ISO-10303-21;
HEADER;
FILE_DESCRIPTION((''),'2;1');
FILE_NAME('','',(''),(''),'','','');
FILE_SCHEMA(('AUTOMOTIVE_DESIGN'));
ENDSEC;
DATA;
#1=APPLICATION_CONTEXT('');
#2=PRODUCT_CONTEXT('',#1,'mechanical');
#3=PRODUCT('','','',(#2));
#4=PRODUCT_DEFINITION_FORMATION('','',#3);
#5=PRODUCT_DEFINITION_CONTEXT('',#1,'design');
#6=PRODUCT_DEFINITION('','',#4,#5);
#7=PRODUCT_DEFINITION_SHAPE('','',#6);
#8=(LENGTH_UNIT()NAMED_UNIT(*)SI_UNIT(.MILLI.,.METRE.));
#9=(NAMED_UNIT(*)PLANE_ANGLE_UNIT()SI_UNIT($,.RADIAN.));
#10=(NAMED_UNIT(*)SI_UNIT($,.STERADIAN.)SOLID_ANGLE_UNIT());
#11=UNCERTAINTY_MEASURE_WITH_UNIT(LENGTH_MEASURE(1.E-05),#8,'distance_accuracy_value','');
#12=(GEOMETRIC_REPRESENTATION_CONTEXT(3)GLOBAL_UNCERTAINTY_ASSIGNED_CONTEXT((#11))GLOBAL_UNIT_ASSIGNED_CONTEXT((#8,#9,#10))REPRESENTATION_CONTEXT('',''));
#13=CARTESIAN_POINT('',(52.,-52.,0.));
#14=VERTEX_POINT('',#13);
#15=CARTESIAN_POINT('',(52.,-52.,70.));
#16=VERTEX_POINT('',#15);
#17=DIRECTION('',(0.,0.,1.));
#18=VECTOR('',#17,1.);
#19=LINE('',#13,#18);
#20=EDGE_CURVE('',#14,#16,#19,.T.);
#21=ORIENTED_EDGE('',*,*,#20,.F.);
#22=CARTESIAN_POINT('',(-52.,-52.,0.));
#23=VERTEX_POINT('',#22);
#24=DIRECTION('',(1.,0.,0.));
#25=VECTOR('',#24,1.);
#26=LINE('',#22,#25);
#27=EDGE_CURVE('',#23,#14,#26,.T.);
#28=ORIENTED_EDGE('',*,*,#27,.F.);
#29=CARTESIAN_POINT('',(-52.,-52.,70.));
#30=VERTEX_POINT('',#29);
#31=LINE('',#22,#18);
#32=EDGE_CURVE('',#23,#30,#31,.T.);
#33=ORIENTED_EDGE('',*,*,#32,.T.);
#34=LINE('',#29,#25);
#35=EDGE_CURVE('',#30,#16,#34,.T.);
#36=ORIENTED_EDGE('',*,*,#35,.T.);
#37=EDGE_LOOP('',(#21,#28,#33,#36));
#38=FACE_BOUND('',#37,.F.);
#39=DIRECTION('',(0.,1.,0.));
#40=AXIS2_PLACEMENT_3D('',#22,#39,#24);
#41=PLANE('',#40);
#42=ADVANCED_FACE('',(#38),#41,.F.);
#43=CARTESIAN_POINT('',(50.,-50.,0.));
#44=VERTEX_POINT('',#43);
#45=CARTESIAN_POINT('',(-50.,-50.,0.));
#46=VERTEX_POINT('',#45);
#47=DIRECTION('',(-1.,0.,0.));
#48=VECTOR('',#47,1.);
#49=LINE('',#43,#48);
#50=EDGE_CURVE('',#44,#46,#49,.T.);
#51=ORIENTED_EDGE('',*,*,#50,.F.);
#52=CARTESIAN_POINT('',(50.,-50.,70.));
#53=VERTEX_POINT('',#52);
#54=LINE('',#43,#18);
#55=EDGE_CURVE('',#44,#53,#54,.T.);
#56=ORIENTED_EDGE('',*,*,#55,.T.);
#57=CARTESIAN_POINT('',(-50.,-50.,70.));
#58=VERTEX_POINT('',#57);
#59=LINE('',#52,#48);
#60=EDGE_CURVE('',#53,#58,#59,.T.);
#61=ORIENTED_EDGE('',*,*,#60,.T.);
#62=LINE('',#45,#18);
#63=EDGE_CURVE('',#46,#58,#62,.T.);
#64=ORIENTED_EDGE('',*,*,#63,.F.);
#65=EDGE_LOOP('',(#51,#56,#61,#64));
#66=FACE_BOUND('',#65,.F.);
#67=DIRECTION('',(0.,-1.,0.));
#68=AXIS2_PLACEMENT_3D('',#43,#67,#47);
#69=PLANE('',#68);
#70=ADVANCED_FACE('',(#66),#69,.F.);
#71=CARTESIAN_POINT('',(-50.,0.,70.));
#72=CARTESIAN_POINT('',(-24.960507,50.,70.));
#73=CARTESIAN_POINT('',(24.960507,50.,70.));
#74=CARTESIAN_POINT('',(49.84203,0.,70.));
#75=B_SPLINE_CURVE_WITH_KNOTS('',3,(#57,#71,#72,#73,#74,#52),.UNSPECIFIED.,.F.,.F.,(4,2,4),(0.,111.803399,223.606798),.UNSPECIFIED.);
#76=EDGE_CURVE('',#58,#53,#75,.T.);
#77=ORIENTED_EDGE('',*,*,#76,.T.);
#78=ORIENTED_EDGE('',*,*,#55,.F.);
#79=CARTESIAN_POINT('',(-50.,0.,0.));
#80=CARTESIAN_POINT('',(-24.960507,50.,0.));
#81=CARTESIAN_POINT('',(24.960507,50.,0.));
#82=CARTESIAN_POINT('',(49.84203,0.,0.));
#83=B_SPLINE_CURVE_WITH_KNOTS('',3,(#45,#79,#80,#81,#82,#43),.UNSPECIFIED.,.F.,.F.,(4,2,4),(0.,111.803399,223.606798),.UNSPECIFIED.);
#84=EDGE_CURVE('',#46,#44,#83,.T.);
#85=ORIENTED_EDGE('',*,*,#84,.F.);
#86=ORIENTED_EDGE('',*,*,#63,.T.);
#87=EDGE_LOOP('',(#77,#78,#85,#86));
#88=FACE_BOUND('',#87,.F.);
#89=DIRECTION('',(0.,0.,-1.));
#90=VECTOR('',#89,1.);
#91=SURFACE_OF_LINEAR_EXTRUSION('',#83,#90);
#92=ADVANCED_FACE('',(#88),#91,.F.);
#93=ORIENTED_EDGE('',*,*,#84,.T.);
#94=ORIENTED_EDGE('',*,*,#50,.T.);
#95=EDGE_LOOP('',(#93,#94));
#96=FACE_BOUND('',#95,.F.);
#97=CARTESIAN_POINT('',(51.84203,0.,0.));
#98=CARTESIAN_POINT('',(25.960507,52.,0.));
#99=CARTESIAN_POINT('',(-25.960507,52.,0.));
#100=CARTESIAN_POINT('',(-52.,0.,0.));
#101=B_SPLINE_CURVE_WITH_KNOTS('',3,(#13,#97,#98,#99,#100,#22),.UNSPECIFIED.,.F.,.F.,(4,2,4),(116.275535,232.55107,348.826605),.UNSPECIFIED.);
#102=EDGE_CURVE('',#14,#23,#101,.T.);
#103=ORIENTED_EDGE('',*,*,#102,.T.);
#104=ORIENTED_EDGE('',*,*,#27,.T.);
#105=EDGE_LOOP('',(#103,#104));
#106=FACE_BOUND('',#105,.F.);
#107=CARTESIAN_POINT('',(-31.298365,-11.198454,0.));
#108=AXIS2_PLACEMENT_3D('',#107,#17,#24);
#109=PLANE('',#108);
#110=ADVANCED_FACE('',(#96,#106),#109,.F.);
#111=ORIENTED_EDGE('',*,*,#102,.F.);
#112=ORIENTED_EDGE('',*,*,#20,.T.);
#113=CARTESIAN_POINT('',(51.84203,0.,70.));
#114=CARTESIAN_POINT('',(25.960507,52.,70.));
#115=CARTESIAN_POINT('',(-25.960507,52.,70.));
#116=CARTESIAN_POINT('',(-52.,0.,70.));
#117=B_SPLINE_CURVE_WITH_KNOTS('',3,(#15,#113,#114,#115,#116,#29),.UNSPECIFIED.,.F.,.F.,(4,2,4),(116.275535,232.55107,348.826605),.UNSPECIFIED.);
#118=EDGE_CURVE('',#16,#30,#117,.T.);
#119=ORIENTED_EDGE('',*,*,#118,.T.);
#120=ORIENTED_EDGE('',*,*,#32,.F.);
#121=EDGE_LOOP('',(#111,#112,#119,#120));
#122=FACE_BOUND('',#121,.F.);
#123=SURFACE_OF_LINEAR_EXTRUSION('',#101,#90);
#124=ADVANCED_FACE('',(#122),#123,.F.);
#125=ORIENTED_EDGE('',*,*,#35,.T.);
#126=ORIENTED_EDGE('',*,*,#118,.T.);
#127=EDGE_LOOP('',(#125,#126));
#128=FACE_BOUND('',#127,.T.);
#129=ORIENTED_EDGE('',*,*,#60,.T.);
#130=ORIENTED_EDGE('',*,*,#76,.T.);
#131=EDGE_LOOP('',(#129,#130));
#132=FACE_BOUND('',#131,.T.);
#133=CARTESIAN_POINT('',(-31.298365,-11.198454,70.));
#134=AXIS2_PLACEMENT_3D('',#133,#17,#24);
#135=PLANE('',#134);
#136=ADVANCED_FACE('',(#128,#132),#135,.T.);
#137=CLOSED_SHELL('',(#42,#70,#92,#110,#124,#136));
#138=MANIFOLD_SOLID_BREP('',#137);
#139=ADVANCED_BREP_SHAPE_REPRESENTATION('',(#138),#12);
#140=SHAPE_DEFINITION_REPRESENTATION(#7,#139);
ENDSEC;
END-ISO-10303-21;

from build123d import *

# Parameters (mm, degrees)
F1_DEPTH = 70


with BuildPart() as f1:
    # F0 (on Top) → F1 (new body)
    with BuildSketch(Plane.XY):
        with BuildLine():
            add(Edge.make_bspline(
                [(-50, -50), (-50, 0), (-24.960507, 50), (0, 50)],
                knots=[0, 0, 0, 0, 111.803399, 111.803399, 111.803399, 111.803399], degree=3))
            Line((0, 50), (0, 52))
            add(Edge.make_bspline(
                [(-52, -52), (-52, 0), (-25.960507, 52), (0, 52)],
                knots=[0, 0, 0, 0, 116.275535, 116.275535, 116.275535, 116.275535], degree=3))
            Line((-52, -52), (0, -52))
            Line((0, -52), (0, -50))
            Line((0, -50), (-50, -50))
        make_face()
        with BuildLine():
            Line((0, 52), (0, 50))
            add(Edge.make_bspline(
                [(0, 50), (24.960507, 50), (49.84203, 0), (50, -50)],
                knots=[111.803399, 111.803399, 111.803399, 111.803399, 223.606798, 223.606798, 223.606798, 223.606798], degree=3))
            Line((50, -50), (0, -50))
            Line((0, -50), (0, -52))
            Line((0, -52), (52, -52))
            add(Edge.make_bspline(
                [(0, 52), (25.960507, 52), (51.84203, 0), (52, -52)],
                knots=[116.275535, 116.275535, 116.275535, 116.275535, 232.55107, 232.55107, 232.55107, 232.55107], degree=3))
        make_face()
    extrude(amount=F1_DEPTH)


solid = f1.part
